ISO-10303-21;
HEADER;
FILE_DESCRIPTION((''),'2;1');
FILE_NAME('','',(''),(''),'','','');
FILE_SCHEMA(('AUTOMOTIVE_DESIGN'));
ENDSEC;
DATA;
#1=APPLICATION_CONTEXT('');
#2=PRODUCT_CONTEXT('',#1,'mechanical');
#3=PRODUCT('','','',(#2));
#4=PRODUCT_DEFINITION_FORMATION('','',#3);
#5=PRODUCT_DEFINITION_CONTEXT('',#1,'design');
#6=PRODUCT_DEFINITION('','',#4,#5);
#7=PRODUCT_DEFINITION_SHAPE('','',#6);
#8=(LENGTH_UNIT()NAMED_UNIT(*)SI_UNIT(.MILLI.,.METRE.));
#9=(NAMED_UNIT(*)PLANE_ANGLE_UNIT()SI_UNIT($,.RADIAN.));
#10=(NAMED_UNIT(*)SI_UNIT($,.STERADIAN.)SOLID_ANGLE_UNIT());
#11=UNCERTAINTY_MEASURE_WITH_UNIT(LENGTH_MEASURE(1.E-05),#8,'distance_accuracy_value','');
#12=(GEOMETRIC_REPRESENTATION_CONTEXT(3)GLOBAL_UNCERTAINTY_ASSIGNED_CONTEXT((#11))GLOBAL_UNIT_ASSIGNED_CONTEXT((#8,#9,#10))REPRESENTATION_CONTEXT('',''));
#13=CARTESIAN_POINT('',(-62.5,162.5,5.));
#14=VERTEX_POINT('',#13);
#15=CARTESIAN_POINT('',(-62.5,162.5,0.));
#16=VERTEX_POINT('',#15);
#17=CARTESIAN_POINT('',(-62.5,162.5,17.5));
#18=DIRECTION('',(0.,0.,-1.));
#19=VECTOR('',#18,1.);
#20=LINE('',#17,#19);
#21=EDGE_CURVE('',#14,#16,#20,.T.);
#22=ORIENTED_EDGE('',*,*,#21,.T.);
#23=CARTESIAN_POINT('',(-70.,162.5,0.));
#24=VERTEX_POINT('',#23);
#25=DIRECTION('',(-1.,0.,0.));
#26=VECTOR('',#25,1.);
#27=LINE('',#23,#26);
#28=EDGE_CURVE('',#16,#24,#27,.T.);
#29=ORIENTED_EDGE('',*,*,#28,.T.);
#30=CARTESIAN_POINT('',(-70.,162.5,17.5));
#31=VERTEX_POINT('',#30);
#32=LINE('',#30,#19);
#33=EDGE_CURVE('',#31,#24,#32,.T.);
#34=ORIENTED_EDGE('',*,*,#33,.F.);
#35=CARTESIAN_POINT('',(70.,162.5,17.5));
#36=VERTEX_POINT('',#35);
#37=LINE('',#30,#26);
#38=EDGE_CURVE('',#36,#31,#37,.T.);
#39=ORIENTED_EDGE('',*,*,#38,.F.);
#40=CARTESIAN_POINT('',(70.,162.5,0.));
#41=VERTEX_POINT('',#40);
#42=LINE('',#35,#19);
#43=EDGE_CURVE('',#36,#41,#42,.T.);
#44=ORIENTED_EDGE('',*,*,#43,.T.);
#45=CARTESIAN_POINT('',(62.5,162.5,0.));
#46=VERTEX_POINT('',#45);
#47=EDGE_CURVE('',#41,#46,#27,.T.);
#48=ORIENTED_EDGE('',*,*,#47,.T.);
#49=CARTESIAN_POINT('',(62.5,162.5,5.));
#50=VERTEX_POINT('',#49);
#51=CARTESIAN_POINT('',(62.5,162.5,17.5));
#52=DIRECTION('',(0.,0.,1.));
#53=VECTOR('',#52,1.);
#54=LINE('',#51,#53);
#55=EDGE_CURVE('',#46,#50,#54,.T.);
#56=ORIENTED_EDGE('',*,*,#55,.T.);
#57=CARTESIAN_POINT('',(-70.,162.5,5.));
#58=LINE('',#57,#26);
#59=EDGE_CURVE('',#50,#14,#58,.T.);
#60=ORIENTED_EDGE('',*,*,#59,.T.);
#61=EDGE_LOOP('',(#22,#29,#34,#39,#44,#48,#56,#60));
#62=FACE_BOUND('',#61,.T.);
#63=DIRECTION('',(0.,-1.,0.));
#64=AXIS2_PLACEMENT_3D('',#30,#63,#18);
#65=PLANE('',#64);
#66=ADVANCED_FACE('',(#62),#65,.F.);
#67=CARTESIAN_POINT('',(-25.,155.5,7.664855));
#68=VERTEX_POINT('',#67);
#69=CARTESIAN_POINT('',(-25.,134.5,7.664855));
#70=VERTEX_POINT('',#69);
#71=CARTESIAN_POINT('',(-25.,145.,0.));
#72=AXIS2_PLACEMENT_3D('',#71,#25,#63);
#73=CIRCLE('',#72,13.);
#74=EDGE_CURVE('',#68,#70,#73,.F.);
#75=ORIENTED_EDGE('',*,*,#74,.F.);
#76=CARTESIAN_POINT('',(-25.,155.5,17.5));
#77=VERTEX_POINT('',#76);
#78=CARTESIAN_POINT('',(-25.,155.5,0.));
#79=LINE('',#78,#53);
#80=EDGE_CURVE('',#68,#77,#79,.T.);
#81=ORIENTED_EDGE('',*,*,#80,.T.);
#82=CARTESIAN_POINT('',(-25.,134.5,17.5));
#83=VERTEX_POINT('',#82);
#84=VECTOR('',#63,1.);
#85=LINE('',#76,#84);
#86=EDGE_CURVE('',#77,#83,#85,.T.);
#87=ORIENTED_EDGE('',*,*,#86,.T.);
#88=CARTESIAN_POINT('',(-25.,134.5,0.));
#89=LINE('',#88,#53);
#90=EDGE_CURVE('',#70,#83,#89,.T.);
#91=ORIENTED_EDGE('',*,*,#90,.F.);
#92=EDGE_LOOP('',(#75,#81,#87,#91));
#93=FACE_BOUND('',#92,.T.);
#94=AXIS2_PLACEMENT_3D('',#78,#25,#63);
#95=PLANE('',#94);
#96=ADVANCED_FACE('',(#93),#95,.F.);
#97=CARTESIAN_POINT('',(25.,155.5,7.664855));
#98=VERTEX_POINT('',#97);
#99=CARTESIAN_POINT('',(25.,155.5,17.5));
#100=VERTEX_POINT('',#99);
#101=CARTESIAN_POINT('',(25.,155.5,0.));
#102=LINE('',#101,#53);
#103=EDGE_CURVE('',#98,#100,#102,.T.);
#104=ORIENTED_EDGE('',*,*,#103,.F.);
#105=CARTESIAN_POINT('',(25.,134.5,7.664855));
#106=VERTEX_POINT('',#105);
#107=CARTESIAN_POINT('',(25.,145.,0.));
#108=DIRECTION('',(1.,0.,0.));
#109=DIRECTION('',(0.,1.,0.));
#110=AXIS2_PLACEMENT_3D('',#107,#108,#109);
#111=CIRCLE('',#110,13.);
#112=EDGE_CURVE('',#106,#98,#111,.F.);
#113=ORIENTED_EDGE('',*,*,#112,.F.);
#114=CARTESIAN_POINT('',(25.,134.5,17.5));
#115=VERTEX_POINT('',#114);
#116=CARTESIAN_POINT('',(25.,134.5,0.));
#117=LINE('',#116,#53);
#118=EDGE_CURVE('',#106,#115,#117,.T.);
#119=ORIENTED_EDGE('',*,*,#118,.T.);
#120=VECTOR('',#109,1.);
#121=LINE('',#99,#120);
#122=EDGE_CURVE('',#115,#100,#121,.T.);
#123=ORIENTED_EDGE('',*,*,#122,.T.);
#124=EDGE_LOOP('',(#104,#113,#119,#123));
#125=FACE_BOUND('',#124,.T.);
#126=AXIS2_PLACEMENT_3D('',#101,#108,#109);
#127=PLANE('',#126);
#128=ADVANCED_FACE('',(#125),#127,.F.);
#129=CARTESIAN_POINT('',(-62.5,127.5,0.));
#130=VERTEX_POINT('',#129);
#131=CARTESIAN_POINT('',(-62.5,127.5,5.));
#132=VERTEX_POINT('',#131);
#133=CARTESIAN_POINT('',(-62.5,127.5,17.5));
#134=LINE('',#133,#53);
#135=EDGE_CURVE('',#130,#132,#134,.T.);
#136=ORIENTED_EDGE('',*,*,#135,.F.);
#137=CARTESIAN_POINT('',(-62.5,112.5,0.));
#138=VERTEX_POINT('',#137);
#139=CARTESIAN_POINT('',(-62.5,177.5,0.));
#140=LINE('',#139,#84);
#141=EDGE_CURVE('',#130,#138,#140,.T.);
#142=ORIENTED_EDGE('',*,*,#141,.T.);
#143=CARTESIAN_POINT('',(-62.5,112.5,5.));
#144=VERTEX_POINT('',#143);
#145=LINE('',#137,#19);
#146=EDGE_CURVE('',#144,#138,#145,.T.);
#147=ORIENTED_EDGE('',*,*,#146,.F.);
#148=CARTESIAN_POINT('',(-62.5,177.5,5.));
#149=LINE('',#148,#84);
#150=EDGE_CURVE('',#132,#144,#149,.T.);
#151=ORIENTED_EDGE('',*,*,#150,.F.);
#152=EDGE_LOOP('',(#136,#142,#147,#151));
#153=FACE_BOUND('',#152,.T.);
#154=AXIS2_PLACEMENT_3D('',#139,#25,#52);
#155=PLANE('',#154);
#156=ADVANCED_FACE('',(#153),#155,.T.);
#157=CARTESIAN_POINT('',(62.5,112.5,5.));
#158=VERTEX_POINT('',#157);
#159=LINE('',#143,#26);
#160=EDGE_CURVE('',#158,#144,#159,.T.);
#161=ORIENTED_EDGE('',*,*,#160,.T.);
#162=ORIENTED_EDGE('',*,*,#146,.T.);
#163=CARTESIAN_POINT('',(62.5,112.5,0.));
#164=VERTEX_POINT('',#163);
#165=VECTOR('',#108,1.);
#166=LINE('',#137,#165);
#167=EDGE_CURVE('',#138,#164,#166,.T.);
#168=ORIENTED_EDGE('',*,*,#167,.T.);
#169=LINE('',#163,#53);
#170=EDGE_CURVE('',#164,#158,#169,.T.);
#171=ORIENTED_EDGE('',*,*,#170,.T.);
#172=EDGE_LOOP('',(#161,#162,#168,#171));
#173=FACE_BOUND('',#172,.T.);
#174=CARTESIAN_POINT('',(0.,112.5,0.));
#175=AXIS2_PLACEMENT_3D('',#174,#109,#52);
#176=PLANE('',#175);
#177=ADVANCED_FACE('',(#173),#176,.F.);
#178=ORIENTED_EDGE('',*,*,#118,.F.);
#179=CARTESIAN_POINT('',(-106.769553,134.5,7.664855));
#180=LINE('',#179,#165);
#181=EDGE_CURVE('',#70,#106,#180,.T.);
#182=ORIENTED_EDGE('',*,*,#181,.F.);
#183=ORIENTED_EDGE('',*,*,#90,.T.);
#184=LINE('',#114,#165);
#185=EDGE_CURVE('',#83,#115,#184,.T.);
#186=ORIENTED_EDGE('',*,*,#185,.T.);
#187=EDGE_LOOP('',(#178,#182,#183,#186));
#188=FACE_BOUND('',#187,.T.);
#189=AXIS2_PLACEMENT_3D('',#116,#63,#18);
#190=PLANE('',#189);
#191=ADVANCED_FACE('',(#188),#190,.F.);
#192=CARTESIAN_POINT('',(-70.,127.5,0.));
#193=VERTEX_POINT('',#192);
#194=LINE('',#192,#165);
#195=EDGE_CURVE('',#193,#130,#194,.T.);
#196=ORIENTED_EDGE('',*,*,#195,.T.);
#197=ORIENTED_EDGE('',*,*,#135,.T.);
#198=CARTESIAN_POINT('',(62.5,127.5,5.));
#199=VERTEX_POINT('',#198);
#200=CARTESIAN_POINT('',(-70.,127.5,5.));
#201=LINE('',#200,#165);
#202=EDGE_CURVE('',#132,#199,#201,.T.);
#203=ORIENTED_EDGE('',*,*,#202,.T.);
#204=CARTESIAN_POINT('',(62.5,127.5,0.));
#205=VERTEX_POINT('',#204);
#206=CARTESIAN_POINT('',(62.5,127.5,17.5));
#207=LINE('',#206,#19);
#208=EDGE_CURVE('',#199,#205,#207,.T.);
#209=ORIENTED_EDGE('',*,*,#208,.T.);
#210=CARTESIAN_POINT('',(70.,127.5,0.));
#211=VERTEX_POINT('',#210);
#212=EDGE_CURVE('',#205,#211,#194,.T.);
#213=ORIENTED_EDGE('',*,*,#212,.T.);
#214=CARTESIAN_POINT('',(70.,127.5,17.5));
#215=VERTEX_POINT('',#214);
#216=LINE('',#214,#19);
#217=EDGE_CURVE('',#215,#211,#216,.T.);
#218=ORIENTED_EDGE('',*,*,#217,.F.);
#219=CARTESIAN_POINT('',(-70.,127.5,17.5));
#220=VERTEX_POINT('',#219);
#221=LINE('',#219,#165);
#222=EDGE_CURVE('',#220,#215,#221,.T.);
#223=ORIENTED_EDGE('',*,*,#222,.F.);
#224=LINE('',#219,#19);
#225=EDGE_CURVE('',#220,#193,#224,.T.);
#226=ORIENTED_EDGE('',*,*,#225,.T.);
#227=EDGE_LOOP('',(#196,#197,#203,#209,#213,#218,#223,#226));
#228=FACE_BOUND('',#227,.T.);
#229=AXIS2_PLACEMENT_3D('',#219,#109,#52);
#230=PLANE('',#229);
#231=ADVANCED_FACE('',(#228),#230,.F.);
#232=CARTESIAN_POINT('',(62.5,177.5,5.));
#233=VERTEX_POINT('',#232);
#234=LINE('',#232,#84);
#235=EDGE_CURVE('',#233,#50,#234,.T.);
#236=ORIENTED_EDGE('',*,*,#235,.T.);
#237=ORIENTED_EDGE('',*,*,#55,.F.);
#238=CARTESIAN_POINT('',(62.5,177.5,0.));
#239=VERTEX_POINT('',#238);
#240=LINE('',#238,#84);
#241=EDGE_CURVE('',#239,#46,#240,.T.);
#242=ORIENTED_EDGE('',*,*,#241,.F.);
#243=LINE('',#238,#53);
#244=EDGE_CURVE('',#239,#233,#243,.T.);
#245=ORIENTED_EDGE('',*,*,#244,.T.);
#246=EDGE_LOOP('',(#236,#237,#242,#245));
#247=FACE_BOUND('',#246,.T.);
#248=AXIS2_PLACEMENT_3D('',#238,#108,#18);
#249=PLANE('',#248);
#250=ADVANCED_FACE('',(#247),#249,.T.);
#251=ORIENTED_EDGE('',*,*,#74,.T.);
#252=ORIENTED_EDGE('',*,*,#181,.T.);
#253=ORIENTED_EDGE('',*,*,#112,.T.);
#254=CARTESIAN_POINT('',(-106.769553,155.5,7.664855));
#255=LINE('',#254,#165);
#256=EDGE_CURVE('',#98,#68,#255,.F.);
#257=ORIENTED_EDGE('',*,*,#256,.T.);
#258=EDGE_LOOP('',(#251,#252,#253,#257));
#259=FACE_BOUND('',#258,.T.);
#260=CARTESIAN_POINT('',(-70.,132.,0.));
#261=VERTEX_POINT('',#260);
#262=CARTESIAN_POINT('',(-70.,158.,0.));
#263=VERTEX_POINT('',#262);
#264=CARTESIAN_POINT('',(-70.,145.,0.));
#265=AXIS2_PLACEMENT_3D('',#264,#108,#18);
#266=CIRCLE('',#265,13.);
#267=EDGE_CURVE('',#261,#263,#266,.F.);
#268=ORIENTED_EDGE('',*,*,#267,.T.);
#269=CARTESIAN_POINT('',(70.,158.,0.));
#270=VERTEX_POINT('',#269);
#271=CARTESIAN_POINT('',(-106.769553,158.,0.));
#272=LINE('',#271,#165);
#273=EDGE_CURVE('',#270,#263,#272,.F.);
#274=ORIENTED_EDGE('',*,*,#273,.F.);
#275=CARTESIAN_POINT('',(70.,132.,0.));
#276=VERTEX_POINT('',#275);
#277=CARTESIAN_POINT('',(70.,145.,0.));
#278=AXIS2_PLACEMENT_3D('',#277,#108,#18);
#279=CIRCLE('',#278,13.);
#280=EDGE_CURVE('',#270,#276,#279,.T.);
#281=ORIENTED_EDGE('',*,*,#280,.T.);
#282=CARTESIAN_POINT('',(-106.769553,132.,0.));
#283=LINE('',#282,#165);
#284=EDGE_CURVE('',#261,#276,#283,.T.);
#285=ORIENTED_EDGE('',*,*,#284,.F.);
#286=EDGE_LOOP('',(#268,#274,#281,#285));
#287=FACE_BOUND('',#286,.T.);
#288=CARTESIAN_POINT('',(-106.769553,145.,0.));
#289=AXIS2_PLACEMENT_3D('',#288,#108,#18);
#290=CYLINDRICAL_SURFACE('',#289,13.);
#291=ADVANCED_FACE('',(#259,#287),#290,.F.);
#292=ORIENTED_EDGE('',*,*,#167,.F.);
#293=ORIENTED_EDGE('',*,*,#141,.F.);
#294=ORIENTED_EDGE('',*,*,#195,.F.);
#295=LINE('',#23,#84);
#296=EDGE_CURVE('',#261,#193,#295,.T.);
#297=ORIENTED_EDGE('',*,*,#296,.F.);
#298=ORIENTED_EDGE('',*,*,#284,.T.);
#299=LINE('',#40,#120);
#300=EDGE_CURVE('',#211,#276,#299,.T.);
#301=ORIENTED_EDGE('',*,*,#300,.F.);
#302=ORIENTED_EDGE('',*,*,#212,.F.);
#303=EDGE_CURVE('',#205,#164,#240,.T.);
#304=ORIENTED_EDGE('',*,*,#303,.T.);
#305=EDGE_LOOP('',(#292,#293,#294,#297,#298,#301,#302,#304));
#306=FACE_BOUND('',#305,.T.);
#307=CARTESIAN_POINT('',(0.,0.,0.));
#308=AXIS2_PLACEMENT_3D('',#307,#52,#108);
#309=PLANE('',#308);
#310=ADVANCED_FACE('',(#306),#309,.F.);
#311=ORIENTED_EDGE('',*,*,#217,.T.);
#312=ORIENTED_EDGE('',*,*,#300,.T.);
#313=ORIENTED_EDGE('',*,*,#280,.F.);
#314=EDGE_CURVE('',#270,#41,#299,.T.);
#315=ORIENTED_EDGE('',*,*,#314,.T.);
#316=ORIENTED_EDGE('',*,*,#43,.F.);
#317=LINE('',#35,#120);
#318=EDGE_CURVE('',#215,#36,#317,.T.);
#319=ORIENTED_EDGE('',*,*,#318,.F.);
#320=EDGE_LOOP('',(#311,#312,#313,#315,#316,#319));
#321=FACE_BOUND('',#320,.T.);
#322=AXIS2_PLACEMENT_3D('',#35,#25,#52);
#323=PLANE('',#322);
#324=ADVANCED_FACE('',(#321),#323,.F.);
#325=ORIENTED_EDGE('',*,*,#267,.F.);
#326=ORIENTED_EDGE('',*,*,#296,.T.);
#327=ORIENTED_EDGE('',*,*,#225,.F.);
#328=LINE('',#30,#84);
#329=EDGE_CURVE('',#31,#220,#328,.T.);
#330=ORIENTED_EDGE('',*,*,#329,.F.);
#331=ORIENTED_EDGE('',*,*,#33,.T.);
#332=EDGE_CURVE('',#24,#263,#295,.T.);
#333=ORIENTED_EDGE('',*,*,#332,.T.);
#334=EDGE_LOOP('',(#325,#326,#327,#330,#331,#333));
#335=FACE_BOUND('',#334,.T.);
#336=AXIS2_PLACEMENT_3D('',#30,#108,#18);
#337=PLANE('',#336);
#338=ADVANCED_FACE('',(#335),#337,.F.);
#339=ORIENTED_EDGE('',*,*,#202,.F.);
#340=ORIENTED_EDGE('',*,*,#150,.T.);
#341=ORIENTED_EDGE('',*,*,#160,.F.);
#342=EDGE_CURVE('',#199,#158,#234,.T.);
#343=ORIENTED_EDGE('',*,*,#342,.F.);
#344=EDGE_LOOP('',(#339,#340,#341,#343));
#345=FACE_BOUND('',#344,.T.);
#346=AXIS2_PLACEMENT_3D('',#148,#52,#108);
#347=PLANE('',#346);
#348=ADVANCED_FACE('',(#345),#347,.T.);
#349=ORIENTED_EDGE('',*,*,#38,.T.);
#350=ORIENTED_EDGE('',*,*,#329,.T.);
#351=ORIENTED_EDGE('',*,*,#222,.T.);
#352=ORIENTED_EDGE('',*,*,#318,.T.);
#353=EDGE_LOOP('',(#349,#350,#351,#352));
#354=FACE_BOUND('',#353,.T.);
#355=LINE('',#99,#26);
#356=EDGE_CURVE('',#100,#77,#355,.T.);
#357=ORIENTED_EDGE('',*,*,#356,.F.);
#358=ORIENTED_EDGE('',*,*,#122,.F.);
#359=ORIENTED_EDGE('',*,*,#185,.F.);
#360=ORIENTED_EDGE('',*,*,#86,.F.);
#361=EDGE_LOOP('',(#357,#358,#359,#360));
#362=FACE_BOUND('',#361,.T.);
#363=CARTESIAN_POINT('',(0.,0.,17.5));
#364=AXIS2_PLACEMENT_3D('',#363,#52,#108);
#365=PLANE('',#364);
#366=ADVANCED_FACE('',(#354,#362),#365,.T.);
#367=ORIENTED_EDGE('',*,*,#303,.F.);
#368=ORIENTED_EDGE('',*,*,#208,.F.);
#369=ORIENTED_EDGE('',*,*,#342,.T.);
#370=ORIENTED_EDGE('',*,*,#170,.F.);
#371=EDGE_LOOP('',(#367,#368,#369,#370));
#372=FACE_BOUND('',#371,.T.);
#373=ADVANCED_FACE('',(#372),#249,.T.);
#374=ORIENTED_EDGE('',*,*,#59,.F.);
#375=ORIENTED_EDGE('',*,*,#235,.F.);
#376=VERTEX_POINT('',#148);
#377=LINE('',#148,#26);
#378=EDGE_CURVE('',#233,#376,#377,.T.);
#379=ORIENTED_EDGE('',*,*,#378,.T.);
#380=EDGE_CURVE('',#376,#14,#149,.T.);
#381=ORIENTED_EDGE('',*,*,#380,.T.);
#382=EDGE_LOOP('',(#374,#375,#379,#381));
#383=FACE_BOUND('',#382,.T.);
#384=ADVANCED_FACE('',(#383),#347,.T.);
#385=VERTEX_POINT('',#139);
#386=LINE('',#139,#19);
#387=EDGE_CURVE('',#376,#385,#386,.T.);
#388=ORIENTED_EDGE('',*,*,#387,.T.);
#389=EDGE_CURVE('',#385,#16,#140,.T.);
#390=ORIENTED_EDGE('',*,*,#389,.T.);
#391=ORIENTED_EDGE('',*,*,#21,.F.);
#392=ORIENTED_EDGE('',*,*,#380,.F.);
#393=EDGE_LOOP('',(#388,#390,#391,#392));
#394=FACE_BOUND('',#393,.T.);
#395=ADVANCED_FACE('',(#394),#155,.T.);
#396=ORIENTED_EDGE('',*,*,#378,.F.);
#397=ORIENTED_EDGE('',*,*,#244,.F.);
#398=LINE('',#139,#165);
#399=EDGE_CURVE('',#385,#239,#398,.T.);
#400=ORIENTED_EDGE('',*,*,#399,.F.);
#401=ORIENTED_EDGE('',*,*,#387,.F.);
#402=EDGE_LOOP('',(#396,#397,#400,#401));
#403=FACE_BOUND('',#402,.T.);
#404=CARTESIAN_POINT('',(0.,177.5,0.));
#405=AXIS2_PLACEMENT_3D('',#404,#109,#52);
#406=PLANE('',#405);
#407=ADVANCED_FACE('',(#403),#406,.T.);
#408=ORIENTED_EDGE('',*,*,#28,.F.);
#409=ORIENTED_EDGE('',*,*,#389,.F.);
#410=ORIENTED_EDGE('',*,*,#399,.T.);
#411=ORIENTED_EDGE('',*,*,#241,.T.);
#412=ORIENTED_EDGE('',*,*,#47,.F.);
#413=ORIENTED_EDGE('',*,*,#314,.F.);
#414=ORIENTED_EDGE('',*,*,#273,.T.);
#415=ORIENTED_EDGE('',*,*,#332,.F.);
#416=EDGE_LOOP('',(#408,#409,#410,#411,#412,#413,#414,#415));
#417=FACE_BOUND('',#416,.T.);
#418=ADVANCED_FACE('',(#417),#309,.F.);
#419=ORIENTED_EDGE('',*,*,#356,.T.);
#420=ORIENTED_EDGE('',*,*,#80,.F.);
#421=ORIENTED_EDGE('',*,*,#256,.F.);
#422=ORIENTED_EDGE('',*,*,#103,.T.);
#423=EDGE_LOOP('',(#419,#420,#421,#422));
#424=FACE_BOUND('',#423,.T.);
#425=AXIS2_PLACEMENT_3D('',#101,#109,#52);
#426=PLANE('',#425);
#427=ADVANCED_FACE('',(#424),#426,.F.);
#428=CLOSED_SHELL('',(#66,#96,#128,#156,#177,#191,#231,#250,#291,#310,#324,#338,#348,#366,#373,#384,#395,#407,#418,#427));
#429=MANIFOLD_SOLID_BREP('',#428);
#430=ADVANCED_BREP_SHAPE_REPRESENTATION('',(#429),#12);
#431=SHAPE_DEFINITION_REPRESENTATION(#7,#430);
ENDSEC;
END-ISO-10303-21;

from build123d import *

# Parameters (mm, degrees)
CROQUIS2_W                   = 140
CROQUIS2_H                   = 35
SALIENTE_EXTRUIR1_DEPTH      = 17.5
SALIENTE_EXTRUIR2_DEPTH      = 15
SALIENTE_EXTRUIR2_DEPTH_BACK = 50
CROQUIS3_W                   = 125
CROQUIS3_H                   = 5
CROQUIS4_R                   = 13
CORTAR_EXTRUIR1_DEPTH        = 140
CROQUIS5_W                   = 50
CROQUIS5_H                   = 21
CORTAR_EXTRUIR2_DEPTH        = 192.605062564


with BuildPart() as part:
    # Croquis2 → Saliente-Extruir1 (new body)
    with BuildSketch(Plane.XY):
        with Locations((0, 145)):
            Rectangle(CROQUIS2_W, CROQUIS2_H)
    extrude(amount=SALIENTE_EXTRUIR1_DEPTH)

    # Croquis3 → Saliente-Extruir2 (add, two sides: drawn at the far end of the back side and taken through both)
    with BuildSketch(Plane.XZ.offset(-127.5).offset(-SALIENTE_EXTRUIR2_DEPTH_BACK)):
        with Locations((0, 2.5)):
            Rectangle(CROQUIS3_W, CROQUIS3_H)
    extrude(amount=SALIENTE_EXTRUIR2_DEPTH + SALIENTE_EXTRUIR2_DEPTH_BACK)

    # Croquis4 → Cortar-Extruir1 (cut)
    with BuildSketch(Plane(origin=(70, 0, 0), x_dir=(0, 0, -1), z_dir=(1, 0, 0))):
        with Locations((0, 145)):
            Circle(CROQUIS4_R)
    extrude(amount=-CORTAR_EXTRUIR1_DEPTH, mode=Mode.SUBTRACT)

    # Croquis5 → Cortar-Extruir2 (cut, through all)
    with BuildSketch(Plane.XY.offset(17.5)):
        with Locations((0, 145)):
            Rectangle(CROQUIS5_W, CROQUIS5_H)
    extrude(amount=-CORTAR_EXTRUIR2_DEPTH, mode=Mode.SUBTRACT)


solid = part.part
